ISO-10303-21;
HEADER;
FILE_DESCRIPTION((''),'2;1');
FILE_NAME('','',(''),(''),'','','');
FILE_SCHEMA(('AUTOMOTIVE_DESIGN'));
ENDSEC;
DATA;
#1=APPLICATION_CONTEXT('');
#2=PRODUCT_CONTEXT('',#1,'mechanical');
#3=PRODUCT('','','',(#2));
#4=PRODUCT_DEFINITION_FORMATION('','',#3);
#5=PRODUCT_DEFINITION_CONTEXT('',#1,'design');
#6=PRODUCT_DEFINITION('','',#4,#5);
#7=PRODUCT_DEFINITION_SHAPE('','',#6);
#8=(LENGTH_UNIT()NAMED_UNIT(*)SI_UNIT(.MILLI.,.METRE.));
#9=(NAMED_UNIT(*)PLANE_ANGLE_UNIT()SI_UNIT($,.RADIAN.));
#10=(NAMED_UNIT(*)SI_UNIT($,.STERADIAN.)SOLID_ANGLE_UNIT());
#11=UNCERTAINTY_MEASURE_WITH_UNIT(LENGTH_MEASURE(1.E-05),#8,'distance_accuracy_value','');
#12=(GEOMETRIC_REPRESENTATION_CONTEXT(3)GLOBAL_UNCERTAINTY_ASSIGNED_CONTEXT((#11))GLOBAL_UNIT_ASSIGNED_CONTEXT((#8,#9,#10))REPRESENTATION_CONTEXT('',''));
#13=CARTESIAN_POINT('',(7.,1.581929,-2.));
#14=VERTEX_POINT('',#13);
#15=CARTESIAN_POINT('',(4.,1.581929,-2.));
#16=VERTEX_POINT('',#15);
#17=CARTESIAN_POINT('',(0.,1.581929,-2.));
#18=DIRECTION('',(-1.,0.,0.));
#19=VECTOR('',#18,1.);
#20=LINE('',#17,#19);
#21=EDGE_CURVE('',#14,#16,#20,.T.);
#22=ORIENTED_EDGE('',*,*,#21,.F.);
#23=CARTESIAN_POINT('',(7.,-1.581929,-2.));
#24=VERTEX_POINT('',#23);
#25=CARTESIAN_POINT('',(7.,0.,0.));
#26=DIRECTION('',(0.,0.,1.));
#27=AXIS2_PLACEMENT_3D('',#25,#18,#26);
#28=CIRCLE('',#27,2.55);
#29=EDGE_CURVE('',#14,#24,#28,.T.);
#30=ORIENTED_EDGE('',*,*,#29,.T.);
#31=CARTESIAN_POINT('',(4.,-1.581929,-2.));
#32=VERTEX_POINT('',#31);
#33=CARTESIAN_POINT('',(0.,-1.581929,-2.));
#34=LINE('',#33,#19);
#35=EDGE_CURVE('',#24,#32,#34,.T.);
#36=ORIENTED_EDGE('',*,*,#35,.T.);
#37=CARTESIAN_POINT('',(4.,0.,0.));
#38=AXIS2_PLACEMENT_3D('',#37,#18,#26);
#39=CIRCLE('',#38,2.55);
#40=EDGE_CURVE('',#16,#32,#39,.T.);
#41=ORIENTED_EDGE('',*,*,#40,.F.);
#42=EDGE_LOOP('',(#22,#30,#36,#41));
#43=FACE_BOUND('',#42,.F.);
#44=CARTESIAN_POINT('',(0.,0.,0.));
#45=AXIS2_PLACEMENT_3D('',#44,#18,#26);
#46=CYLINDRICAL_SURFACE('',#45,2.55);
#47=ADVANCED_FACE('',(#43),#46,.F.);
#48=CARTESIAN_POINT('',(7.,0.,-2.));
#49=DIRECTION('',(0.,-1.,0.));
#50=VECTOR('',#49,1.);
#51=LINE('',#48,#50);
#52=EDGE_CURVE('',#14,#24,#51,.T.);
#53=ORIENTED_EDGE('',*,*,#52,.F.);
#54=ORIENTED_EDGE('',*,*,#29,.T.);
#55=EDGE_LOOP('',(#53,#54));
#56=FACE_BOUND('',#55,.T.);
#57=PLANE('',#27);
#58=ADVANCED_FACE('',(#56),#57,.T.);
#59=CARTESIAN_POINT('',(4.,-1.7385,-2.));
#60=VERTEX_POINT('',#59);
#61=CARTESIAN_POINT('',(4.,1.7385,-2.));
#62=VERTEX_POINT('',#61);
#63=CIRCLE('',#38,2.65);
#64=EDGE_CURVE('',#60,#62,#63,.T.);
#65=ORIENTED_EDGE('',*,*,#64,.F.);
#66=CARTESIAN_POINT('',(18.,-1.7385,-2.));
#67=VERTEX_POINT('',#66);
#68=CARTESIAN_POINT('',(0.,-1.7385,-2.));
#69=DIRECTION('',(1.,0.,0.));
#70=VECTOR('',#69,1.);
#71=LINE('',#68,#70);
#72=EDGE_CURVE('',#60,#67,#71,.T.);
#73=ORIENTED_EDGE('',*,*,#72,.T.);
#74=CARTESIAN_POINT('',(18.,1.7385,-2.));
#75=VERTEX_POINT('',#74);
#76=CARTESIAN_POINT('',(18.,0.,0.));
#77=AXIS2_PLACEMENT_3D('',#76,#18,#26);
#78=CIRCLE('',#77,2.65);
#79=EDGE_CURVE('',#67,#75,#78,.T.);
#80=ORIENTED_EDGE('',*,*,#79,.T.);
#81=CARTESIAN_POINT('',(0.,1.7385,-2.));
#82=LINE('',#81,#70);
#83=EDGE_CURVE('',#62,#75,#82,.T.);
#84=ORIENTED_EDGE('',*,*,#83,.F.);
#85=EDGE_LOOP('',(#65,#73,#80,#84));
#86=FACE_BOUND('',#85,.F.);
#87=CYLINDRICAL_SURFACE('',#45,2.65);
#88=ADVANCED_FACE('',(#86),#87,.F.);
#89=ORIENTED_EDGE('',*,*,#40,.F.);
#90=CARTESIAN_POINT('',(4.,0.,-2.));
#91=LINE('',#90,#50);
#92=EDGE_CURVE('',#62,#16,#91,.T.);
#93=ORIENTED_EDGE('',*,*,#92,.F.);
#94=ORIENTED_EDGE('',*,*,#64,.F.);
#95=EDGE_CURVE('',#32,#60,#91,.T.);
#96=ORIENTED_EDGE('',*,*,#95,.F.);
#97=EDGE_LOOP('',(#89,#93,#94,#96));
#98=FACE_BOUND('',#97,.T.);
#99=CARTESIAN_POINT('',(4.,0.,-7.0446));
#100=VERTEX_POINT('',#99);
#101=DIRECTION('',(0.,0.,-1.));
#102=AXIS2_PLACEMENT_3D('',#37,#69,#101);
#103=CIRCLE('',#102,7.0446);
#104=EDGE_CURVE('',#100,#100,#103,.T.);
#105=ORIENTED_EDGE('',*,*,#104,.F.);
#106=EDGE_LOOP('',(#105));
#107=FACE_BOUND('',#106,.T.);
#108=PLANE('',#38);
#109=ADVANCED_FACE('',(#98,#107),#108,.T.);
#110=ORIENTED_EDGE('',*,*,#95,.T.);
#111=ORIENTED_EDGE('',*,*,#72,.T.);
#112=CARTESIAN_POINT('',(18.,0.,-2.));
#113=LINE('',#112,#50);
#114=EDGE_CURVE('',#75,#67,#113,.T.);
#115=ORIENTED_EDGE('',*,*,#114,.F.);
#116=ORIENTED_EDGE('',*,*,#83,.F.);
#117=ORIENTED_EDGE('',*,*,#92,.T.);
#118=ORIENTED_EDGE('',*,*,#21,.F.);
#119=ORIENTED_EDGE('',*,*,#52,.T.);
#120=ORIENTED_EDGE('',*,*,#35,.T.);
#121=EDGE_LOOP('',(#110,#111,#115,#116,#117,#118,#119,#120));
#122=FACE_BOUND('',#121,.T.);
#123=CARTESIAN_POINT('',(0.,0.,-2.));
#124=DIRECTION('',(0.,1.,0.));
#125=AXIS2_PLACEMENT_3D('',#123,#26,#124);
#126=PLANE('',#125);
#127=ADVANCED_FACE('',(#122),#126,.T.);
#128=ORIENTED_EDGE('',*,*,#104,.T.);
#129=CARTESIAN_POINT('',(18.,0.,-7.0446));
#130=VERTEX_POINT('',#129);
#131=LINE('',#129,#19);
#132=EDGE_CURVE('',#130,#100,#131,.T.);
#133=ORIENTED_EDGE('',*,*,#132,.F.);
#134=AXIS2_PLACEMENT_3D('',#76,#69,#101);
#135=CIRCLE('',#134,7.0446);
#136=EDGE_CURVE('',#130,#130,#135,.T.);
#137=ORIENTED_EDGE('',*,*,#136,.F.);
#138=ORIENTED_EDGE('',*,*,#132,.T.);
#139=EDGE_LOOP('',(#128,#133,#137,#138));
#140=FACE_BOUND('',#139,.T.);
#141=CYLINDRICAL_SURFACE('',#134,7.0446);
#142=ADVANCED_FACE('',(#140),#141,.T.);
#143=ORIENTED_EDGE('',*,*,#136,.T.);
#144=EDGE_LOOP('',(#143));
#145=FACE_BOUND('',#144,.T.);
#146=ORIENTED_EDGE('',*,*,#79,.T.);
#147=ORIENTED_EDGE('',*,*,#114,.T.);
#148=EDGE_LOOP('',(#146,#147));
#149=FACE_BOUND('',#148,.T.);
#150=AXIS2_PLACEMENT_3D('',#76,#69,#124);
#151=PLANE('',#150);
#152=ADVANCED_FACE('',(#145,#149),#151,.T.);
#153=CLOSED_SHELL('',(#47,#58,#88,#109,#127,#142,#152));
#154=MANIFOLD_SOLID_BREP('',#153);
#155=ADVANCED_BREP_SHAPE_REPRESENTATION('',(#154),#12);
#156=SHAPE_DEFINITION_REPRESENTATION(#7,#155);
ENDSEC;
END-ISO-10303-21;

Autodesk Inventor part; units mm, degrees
ref_plane "YZ Plane" through (0, 0, 0) normal (1, 0, 0) x (0, 1, 0)
ref_plane "XY Plane" through (0, 0, 0) normal (0, 0, 1) x (1, 0, 0)
sketch "Esquisse1" plane through (0, 0, 0) normal (0, 0, 1) x (1, 0, 0)
  line L0 (0, 0) -> (0, 38)
  line L1 (0, 38) -> (30, 38)
  line L2 (30, 38) -> (30, 35.5)
  line L3 (30, 35.5) -> (0, 35.5)
  line L4 (0, 0) -> (0, 10)
  line L5 (0, 10) -> (18, 10)
  line L6 (18, 10) -> (18, 0)
  line L7 (18, 0) -> (0, 0)
  line L8 (-6, 0) -> (36, 0) projected
  dimension "d0" = 38
  dimension "d1" = 30
  dimension "d2" = 2.5
  dimension "d3" = 10
  dimension "d4" = 18
revolve "Révolution1" add sketch "Esquisse1" angle 360 about axis through (-10, 0, 0) along (1, 0, 0)
ref_plane "Plan de construction1" through (0, 10, 0) normal (0, 1, 0) x (-1, 0, 0)
sketch "Esquisse2" plane through (0, 10, 0) normal (0, 1, 0) x (-1, 0, 0)
  line L0 (0, 0) -> (0, 1)
  line L1 (0, 38) -> (0, -38) projected
  line L2 (0, 1) -> (-18, 1)
  line L3 (-18, 1) -> (-18, -1)
  line L4 (-18, -1) -> (0, -1)
  line L5 (0, 0) -> (0, -1)
  dimension "d7" = 1
  dimension "d8" = 18
  dimension "d9" = 2
  dimension "d10" = 90
extrude "Extrusion1" add sketch "Esquisse2" along normal up to surface
sketch "Esquisse3" plane through (30, 0, 0) normal (1, 0, 0) x (0, 0, -1)
  circle A0 centre (0, 0) radius 38 projected
  circle A1 centre (0, 0) radius 38 projected
  line L0 (0, 38) -> (0, 40)
  line L1 (0, 40) -> (0.5, 40)
  line L2 (0.5, 40) -> (0.5, 37.9967)
  line L3 (0, 40) -> (-0.5, 40)
  line L4 (-0.5, 40) -> (-0.5, 37.9967)
  dimension "d13" = 2
  dimension "d14" = 0.5
  dimension "d15" = 0.5
extrude "Extrusion2" add sketch "Esquisse3" against normal blind 30 contours A0 L0 L1 L2 | L4 L3 L0 A0
pattern_circular "Réseau circulaire1" count 10 over 360 about axis through (9, 0, 0) along (1, 0, 0) of "Extrusion1"
pattern_circular "Réseau circulaire2" count 40 over 360 about axis through (9, 0, 0) along (1, 0, 0) of "Extrusion2"
sketch "Esquisse4" plane through (0, 0, 0) normal (-1, 0, 0) x (0, 0, 1)
  circle A0 centre (0, 0) radius 2.85
  circle A1 centre (0, 0) radius 2.65
  line L0 (2.65, 0) -> (-2, 0)
  line L1 (-2, 0) -> (-2, 1.7385)
  line L2 (-2, 0) -> (-2, -1.7385)
  point P0 (-1.816, -1.3284)
  point P1 (-1.816, 1.3284)
  dimension "d24" = 5.7
  dimension "d25" = 5.3
  dimension "d26" = 4.65
extrude "Extrusion3" cut sketch "Esquisse4" against normal blind 25 contours L0 L1 A1 | A1 L2 L0
sketch "Esquisse7" plane through (0, 0, 0) normal (-1, 0, 0) x (0, 0, 1)
  circle A0 centre (0, 0) radius 2.55
  dimension "d30" = 5.1
extrude "Extrusion4" cut sketch "Esquisse7" against normal blind 7
sketch "Esquisse8" plane through (0, 0, 0) normal (-1, 0, 0) x (0, 0, 1)
  arc A0 (-2, 1.5819) -> (-2, -1.5819) centre (0, 0) ccw projected
  circle A1 centre (0, 0) radius 35.5
  line L0 (-2, 1.5819) -> (-2, -1.5819) projected
  arc A2 (-2, 1.5819) -> (-2, -1.5819) centre (0, 0) ccw projected
extrude "Extrusion5" cut sketch "Esquisse8" against normal blind 4 contours L0 A0 | A1
sketch "Esquisse9" plane through (18, 0, 0) normal (1, 0, 0) x (0, 0, -1)
  arc A0 (2, -1.5819) -> (2, 1.5819) centre (0, 0) ccw projected
  circle A1 centre (0, 0) radius 7.0446
  circle A2 centre (0, 0) radius 44.6529
extrude "Extrusion6" cut sketch "Esquisse9" along normal through all both and the other way through all
properties part number "Roue test"
